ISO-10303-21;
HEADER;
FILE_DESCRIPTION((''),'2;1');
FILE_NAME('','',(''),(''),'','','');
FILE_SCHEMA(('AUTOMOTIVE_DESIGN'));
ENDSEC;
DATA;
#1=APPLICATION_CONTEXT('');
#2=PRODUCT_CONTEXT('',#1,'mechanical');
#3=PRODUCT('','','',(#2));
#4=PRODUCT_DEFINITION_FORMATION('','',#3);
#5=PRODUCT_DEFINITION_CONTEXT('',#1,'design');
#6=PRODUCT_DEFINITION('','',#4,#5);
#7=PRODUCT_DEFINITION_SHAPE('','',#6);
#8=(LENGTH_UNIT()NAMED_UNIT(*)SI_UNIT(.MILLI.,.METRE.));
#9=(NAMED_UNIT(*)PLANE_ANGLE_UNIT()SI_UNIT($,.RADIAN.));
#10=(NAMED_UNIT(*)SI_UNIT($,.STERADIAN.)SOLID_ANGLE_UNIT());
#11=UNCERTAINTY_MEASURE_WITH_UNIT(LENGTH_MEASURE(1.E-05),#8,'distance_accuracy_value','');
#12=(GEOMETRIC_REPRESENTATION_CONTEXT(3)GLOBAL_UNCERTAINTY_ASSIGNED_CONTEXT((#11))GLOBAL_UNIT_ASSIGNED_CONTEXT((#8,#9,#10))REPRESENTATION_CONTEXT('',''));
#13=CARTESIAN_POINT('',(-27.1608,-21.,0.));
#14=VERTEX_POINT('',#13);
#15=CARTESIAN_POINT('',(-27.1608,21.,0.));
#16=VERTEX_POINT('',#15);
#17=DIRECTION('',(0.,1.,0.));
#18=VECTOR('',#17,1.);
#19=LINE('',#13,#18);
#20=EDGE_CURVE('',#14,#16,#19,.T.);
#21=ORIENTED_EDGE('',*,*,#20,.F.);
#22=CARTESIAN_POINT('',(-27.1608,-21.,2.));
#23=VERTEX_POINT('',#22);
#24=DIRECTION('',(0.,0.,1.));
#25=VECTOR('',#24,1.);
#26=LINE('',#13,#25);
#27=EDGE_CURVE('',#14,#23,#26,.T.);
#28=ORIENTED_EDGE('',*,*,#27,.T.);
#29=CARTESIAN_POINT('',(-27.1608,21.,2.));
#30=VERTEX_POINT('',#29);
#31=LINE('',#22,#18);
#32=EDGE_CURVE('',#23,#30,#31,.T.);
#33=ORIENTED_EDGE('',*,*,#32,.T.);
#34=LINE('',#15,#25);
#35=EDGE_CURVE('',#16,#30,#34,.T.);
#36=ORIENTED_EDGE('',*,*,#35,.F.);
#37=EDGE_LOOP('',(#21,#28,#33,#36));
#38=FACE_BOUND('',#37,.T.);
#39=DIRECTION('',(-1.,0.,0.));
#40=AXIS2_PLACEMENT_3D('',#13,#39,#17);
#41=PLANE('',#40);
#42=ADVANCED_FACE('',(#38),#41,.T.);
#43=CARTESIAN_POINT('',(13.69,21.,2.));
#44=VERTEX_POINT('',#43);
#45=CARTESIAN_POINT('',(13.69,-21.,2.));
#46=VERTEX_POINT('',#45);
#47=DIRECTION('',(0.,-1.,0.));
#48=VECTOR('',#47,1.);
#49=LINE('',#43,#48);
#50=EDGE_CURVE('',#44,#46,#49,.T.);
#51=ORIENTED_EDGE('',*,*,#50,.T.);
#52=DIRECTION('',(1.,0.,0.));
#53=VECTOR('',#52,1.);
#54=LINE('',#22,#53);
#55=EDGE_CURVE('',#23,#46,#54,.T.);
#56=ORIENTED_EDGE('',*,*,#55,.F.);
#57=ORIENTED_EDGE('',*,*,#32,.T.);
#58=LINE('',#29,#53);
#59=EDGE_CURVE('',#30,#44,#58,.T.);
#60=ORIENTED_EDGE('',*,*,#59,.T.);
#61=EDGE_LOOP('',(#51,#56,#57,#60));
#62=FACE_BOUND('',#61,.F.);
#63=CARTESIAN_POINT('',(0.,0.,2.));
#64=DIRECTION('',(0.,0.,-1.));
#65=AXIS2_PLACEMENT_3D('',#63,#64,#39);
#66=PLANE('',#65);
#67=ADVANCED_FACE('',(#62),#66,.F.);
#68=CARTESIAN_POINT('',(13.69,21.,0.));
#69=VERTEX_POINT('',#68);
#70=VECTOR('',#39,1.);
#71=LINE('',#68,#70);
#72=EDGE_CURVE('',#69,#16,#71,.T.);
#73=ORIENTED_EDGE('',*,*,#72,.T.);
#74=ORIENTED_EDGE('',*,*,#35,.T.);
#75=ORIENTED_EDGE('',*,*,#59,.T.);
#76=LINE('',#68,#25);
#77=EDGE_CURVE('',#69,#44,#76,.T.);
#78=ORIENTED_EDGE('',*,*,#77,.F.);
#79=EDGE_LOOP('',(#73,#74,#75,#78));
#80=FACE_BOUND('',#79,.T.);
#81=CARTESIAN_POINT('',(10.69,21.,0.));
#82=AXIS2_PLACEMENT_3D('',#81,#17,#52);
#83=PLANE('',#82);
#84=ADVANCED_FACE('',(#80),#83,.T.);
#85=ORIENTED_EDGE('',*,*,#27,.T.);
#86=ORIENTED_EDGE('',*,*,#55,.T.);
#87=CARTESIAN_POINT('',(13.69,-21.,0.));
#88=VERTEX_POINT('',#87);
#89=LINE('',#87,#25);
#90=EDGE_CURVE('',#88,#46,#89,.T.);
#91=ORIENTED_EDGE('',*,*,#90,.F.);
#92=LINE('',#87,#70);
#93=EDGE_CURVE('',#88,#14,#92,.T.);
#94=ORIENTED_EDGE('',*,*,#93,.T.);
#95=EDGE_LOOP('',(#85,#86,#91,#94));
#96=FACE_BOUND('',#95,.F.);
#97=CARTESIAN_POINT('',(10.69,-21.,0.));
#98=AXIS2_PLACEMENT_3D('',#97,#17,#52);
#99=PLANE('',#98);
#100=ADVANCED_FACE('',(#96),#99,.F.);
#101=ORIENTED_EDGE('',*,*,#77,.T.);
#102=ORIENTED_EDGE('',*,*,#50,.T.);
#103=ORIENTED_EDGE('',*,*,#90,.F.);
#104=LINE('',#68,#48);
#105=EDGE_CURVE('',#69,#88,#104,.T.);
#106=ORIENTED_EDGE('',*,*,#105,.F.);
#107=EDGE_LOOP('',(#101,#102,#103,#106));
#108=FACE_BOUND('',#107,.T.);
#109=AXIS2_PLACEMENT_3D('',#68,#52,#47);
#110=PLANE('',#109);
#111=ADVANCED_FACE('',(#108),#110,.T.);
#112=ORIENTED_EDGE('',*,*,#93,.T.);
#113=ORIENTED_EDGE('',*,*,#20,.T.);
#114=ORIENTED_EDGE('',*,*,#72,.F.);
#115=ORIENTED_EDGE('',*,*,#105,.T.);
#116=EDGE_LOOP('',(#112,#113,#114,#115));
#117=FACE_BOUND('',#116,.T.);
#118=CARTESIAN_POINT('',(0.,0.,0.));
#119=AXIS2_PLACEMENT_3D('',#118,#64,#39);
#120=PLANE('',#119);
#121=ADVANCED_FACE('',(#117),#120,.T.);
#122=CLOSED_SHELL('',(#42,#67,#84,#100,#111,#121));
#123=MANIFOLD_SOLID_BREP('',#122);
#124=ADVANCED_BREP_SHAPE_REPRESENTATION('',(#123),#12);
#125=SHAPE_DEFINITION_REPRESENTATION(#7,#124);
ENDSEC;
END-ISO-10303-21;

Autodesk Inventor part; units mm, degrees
ref_plane "YZ Plane" through (0, 0, 0) normal (1, 0, 0) x (0, 1, 0)
ref_plane "XZ Plane" through (0, 0, 0) normal (0, 1, 0) x (-1, 0, 0)
ref_plane "XY Plane" through (0, 0, 0) normal (0, 0, 1) x (1, 0, 0)
sketch "Sketch1" plane through (0, 0, 0) normal (0, 0, 1) x (1, 0, 0)
  line L0 (-27.8673, 13.2738) -> (-22.4395, 22.145) projected
  line L1 (-27.3269, -6.928) -> (-27.3269, 3.472) projected
  line L2 (-20.8298, -22.6905) -> (-25.3728, -13.3353) projected
  line L3 (-7.65, -11.5) -> (7.65, -11.5) projected
  line L4 (7.65, 11.5) -> (-7.65, 11.5) projected
  arc A0 (0, 1.5) -> (0, -1.5) centre (0, 0) ccw projected
  line L5 (0, 1.5) -> (-30.65, 1.5) projected
  line L6 (-30.65, 11.5) -> (-30.65, 1.5) projected
  line L7 (-30.65, 11.5) -> (-7.65, 11.5) projected
  line L8 (-7.65, 25) -> (-7.65, 11.5) projected
  line L9 (-31.55, 25) -> (-7.65, 25) projected
  line L10 (-31.55, 25) -> (-31.55, -25) projected
  line L11 (-31.55, -25) -> (-7.65, -25) projected
  line L12 (-7.65, -11.5) -> (-7.65, -25) projected
  line L13 (-7.65, -11.5) -> (-30.65, -11.5) projected
  line L14 (-30.65, -1.5) -> (-30.65, -11.5) projected
  line L15 (-30.65, -1.5) -> (0, -1.5) projected
  line L16 (-27.3269, -1.728) -> (-27.3269, -40.6957)
  line L17 (-27.3269, -40.6957) -> (-27.3269, 31.6041)
  line L18 (-27.3269, 14.1571) -> (-22.4395, 22.145)
  line L19 (-25.3728, -13.3353) -> (-20.8298, -22.6905)
  line L20 (-25.3728, -13.3353) -> (-27.3269, -9.3114)
  line L21 (-7.65, 11.5) -> (7.65, 11.5)
  line L22 (7.65, 11.5) -> (7.65, -11.5)
  line L23 (7.65, -11.5) -> (-7.65, -11.5)
  line L24 (-7.65, -11.5) -> (-7.65, 11.5)
  line L25 (-7.65, 11.5) -> (-24.8832, 11.5)
  line L26 (-24.8832, 11.5) -> (-24.8832, -11.3233)
  line L27 (-24.8832, -11.3233) -> (-7.65, -11.3233)
  line L28 (-7.65, -11.3233) -> (-7.65, 11.5)
  line L29 (-16.2666, -11.3233) -> (-16.2666, 11.5)
  line L30 (-24.8832, -11.3233) -> (-20.8298, -20.1639)
  line L31 (-20.8298, -20.1639) -> (-9.3622, -20.1639)
  line L32 (-9.3622, -20.1639) -> (-9.3622, -11.3233)
  line L33 (-16.2666, 0.0883) -> (-13.6915, 0.0883)
  line L34 (-24.8832, 11.5) -> (-20.8298, 20.3406)
  line L35 (-20.8298, 20.3406) -> (-9.3622, 20.3406)
  line L36 (-9.3622, 20.3406) -> (-9.3622, 11.5)
  point P0 (0, 0)
  point P1 (-9.3622, -11.5)
extrude "Extrusion1" add sketch "Sketch1" along normal blind 2 contours L26 L5 L29 L15 | L15 L29 L27 L26 | L30 L27 L32 L13 | L13 L32 L31 L30 | L26 L7 L29 L5 | L29 L5 L24 L15 | L15 L24 L27 L29 | L32 L27 L24 L13 | L29 L7 L24 L5 | L34 L35 L36 L7 | L24 L5 A0 L15 | L15 A0 L5 L24 L4 L22 L3
sketch "Sketch2" plane through (0, 0, 2) normal (0, 0, 1) x (1, 0, 0)
  line L0 (-24.8832, -11.3233) -> (-20.8298, -20.1639) projected
  line L1 (-20.8298, -20.1639) -> (-9.3622, -20.1639) projected
  line L2 (-9.3622, -20.1639) -> (-9.3622, -11.5) projected
  line L3 (-9.3622, -11.5) -> (7.65, -11.5) projected
  line L4 (7.65, -11.5) -> (7.65, 11.5) projected
  line L5 (7.65, 11.5) -> (-9.3622, 11.5) projected
  line L6 (-9.3622, 11.5) -> (-9.3622, 20.3406) projected
  line L7 (-9.3622, 20.3406) -> (-20.8298, 20.3406) projected
  line L8 (-20.8298, 20.3406) -> (-24.8832, 11.5) projected
  line L9 (-24.8832, 11.5) -> (-24.8832, -11.3233) projected
  line L10 (-9.3622, 11.5) -> (-9.3622, 20.3406) projected
  line L11 (-9.3622, 20.3406) -> (7.65, 20.3406)
  line L12 (7.65, 20.3406) -> (7.65, -20.1639)
  line L13 (7.65, -20.1639) -> (-9.3622, -20.1639)
  line L14 (-9.3622, -20.1639) -> (-9.3622, 20.3406)
  point P0 (0, 0)
extrude "Extrusion2" add sketch "Sketch2" against normal blind 2 contours L2 L3 L12 L13 | L11 L12 L5 L6
sketch "Sketch3" plane through (0, 0, 0) normal (0, 0, -1) x (-1, 0, 0)
  circle A0 centre (4.3684, -8.4591) radius 1.5 projected
  circle A1 centre (4.3684, 8.4591) radius 1.5 projected
  point P0 (0, 0)
extrude "Extrusion3" cut sketch "Sketch3" against normal blind 2
sketch "Sketch4" plane through (0, 0, 0) normal (0, 0, -1) x (-1, 0, 0)
  line L0 (-14.69, 25) -> (-14.69, 12.5)
  line L1 (31.1608, -25) -> (7.65, -25) projected
  line L2 (-14.69, -25) -> (7.31, -25) projected
  line L3 (-14.69, 25) -> (31.1608, 25)
  line L4 (31.1608, 25) -> (31.1608, -25)
  line L5 (31.1608, -25) -> (-14.69, -25)
  line L6 (-14.69, -25) -> (-14.69, 25)
  line L7 (27.1608, 21) -> (-10.69, 21)
  line L8 (-10.69, 21) -> (-10.69, -21)
  line L9 (-10.69, -21) -> (27.1608, -21)
  line L10 (27.1608, -21) -> (27.1608, 21)
  line L11 (-10.69, 21) -> (-14.69, 21)
  line L12 (-10.69, -21) -> (-14.69, -21)
  line L13 (-14.69, 21) -> (-13.69, 21)
  line L14 (-13.69, 21) -> (-13.69, -21)
  point P0 (0, 0)
  dimension "d6" = 4
  dimension "d7" = 1
extrude "Extrusion4" add sketch "Sketch4" against normal up to surface (2 mm away) contours L11 L8 L12 L14 | L7 L10 L9 L8
properties part number "pcb"
